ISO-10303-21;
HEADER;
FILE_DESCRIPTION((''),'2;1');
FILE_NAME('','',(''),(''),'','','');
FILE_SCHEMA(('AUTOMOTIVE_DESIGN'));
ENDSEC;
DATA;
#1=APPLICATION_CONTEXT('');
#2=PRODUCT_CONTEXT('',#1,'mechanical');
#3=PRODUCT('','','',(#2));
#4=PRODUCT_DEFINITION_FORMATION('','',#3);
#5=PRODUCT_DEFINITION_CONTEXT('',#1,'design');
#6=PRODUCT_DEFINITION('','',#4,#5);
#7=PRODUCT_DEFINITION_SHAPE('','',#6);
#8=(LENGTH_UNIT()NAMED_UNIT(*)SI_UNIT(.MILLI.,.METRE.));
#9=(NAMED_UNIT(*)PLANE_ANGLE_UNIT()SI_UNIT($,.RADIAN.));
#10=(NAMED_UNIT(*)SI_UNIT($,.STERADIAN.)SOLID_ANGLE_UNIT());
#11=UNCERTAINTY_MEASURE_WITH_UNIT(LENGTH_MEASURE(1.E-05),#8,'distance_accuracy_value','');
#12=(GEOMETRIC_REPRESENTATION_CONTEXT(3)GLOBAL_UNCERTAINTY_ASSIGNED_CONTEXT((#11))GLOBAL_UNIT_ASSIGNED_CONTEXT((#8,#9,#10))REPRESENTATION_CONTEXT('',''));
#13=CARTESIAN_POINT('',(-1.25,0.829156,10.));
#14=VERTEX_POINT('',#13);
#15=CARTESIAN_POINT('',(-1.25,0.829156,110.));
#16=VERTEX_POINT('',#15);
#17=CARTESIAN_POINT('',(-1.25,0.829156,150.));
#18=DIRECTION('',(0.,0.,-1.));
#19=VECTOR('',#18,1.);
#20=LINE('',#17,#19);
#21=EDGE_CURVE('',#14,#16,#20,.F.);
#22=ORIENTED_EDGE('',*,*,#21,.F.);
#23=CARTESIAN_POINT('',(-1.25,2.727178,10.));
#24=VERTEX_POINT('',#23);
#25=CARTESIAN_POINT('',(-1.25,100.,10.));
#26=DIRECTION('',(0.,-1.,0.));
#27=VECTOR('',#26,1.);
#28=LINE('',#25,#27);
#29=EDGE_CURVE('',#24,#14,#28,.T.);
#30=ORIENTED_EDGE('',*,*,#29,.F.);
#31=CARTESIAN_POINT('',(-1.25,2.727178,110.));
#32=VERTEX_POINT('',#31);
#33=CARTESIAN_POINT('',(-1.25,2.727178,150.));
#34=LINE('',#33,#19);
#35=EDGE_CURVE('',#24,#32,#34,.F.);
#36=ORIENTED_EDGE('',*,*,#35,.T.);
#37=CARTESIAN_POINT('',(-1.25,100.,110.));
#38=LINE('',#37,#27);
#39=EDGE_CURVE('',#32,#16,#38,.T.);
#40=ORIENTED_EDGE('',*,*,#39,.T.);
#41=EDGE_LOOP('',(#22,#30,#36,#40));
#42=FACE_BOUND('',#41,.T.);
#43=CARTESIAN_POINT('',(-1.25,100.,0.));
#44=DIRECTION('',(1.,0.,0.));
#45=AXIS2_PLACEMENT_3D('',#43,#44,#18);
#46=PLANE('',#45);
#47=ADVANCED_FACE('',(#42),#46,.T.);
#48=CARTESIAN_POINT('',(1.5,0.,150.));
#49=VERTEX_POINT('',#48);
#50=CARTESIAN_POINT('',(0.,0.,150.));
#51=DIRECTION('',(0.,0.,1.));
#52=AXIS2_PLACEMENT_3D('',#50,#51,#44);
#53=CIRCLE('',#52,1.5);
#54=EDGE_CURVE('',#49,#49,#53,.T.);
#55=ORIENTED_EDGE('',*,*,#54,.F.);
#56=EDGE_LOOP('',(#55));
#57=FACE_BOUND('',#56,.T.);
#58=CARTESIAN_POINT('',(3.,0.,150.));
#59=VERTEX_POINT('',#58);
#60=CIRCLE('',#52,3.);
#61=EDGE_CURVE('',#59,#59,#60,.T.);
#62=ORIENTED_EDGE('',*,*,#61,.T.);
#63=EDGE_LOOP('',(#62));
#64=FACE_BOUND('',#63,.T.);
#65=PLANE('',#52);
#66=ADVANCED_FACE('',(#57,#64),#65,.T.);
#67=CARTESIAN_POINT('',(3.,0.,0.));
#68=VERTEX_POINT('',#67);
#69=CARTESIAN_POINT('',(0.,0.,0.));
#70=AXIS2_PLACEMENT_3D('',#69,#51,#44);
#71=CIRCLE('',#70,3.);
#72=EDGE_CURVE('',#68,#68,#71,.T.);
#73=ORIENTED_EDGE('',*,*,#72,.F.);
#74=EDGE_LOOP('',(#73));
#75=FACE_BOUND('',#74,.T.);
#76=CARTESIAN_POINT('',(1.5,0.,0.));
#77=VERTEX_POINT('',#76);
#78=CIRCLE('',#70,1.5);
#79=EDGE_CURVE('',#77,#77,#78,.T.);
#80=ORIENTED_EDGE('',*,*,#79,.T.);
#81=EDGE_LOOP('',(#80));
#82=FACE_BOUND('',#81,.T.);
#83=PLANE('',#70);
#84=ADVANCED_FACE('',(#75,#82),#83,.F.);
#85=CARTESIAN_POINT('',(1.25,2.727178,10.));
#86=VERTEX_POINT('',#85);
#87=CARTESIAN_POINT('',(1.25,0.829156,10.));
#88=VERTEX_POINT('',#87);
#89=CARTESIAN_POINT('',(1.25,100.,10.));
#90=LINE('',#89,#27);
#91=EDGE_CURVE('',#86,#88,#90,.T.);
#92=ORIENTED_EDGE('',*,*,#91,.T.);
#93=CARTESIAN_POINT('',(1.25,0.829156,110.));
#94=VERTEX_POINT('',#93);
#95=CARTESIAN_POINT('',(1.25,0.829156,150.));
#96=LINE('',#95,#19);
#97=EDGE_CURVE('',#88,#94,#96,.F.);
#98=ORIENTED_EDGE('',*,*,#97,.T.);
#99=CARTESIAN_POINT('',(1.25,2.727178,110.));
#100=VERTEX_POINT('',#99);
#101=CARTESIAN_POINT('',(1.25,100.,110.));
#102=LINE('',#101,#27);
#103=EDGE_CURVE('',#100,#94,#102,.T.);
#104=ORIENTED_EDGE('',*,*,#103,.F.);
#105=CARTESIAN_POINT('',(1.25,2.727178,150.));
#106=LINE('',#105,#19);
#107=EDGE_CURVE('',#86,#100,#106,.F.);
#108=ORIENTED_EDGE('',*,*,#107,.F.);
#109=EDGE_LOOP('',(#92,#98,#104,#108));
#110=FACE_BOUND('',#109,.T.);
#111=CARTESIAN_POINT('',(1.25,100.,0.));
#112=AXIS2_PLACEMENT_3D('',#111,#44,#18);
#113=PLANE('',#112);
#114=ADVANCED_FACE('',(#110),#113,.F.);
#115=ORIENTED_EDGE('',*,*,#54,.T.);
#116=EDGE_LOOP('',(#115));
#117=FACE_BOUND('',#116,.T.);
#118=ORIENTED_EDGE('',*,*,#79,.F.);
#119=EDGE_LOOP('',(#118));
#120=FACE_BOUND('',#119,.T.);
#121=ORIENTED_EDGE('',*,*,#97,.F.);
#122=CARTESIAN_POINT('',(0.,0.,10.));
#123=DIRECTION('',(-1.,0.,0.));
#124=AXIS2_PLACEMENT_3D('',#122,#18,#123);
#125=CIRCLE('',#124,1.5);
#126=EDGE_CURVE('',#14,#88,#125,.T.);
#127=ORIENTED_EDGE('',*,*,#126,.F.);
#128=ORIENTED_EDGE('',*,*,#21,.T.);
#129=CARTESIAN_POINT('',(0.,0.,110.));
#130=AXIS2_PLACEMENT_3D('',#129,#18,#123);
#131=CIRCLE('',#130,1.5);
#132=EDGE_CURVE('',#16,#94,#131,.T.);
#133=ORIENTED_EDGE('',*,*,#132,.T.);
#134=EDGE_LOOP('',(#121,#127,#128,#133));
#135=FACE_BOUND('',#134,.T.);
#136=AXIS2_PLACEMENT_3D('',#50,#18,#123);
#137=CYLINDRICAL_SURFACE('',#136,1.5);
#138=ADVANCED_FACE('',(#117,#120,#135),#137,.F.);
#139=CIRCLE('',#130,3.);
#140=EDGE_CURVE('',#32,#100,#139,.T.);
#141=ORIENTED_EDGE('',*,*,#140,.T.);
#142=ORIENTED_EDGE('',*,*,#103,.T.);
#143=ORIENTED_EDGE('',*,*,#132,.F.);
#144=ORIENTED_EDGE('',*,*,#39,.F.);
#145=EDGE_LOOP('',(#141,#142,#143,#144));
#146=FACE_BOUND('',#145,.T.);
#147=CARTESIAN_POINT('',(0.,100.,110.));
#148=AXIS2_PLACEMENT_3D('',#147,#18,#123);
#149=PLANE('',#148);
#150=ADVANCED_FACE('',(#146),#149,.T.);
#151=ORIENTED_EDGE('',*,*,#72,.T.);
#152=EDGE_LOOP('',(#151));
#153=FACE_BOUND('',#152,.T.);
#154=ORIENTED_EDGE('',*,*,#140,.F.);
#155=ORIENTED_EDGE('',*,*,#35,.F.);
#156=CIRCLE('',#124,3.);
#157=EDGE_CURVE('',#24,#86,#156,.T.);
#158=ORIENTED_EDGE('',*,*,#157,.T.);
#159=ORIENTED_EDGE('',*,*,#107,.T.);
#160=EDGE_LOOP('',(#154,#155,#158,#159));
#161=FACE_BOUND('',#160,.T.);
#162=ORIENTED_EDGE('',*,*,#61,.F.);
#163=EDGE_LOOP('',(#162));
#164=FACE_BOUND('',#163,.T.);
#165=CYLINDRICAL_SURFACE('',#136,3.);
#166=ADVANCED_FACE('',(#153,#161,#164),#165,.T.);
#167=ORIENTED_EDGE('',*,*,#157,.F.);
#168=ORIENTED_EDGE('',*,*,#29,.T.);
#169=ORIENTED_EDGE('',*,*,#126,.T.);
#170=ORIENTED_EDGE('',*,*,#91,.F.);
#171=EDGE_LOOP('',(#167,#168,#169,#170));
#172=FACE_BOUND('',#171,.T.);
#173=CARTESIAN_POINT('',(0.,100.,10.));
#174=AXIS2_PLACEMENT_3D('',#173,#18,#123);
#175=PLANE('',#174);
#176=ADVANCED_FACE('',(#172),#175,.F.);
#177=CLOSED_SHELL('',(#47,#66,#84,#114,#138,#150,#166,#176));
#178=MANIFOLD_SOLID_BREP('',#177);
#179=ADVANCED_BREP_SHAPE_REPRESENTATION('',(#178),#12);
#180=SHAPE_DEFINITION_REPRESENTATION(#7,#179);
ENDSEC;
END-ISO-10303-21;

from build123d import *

# Parameters (mm, degrees)
SKETCH1_R           = 3
SKETCH1_R_2         = 1.5
BOSS_EXTRUDE1_DEPTH = 150
SKETCH2_W           = 2.5
SKETCH2_H           = 100
CUT_EXTRUDE1_DEPTH  = 100


with BuildPart() as part:
    # Sketch1 → Boss-Extrude1 (new body)
    with BuildSketch(Plane.XY):
        Circle(SKETCH1_R)
        Circle(SKETCH1_R_2, mode=Mode.SUBTRACT)
    extrude(amount=BOSS_EXTRUDE1_DEPTH)

    # Sketch2 → Cut-Extrude1 (cut)
    with BuildSketch(Plane(origin=(0, 0, 0), x_dir=(1, 0, 0), z_dir=(0, 1, 0))):
        with Locations((0, -60)):
            Rectangle(SKETCH2_W, SKETCH2_H)
    extrude(amount=CUT_EXTRUDE1_DEPTH, mode=Mode.SUBTRACT)


solid = part.part
